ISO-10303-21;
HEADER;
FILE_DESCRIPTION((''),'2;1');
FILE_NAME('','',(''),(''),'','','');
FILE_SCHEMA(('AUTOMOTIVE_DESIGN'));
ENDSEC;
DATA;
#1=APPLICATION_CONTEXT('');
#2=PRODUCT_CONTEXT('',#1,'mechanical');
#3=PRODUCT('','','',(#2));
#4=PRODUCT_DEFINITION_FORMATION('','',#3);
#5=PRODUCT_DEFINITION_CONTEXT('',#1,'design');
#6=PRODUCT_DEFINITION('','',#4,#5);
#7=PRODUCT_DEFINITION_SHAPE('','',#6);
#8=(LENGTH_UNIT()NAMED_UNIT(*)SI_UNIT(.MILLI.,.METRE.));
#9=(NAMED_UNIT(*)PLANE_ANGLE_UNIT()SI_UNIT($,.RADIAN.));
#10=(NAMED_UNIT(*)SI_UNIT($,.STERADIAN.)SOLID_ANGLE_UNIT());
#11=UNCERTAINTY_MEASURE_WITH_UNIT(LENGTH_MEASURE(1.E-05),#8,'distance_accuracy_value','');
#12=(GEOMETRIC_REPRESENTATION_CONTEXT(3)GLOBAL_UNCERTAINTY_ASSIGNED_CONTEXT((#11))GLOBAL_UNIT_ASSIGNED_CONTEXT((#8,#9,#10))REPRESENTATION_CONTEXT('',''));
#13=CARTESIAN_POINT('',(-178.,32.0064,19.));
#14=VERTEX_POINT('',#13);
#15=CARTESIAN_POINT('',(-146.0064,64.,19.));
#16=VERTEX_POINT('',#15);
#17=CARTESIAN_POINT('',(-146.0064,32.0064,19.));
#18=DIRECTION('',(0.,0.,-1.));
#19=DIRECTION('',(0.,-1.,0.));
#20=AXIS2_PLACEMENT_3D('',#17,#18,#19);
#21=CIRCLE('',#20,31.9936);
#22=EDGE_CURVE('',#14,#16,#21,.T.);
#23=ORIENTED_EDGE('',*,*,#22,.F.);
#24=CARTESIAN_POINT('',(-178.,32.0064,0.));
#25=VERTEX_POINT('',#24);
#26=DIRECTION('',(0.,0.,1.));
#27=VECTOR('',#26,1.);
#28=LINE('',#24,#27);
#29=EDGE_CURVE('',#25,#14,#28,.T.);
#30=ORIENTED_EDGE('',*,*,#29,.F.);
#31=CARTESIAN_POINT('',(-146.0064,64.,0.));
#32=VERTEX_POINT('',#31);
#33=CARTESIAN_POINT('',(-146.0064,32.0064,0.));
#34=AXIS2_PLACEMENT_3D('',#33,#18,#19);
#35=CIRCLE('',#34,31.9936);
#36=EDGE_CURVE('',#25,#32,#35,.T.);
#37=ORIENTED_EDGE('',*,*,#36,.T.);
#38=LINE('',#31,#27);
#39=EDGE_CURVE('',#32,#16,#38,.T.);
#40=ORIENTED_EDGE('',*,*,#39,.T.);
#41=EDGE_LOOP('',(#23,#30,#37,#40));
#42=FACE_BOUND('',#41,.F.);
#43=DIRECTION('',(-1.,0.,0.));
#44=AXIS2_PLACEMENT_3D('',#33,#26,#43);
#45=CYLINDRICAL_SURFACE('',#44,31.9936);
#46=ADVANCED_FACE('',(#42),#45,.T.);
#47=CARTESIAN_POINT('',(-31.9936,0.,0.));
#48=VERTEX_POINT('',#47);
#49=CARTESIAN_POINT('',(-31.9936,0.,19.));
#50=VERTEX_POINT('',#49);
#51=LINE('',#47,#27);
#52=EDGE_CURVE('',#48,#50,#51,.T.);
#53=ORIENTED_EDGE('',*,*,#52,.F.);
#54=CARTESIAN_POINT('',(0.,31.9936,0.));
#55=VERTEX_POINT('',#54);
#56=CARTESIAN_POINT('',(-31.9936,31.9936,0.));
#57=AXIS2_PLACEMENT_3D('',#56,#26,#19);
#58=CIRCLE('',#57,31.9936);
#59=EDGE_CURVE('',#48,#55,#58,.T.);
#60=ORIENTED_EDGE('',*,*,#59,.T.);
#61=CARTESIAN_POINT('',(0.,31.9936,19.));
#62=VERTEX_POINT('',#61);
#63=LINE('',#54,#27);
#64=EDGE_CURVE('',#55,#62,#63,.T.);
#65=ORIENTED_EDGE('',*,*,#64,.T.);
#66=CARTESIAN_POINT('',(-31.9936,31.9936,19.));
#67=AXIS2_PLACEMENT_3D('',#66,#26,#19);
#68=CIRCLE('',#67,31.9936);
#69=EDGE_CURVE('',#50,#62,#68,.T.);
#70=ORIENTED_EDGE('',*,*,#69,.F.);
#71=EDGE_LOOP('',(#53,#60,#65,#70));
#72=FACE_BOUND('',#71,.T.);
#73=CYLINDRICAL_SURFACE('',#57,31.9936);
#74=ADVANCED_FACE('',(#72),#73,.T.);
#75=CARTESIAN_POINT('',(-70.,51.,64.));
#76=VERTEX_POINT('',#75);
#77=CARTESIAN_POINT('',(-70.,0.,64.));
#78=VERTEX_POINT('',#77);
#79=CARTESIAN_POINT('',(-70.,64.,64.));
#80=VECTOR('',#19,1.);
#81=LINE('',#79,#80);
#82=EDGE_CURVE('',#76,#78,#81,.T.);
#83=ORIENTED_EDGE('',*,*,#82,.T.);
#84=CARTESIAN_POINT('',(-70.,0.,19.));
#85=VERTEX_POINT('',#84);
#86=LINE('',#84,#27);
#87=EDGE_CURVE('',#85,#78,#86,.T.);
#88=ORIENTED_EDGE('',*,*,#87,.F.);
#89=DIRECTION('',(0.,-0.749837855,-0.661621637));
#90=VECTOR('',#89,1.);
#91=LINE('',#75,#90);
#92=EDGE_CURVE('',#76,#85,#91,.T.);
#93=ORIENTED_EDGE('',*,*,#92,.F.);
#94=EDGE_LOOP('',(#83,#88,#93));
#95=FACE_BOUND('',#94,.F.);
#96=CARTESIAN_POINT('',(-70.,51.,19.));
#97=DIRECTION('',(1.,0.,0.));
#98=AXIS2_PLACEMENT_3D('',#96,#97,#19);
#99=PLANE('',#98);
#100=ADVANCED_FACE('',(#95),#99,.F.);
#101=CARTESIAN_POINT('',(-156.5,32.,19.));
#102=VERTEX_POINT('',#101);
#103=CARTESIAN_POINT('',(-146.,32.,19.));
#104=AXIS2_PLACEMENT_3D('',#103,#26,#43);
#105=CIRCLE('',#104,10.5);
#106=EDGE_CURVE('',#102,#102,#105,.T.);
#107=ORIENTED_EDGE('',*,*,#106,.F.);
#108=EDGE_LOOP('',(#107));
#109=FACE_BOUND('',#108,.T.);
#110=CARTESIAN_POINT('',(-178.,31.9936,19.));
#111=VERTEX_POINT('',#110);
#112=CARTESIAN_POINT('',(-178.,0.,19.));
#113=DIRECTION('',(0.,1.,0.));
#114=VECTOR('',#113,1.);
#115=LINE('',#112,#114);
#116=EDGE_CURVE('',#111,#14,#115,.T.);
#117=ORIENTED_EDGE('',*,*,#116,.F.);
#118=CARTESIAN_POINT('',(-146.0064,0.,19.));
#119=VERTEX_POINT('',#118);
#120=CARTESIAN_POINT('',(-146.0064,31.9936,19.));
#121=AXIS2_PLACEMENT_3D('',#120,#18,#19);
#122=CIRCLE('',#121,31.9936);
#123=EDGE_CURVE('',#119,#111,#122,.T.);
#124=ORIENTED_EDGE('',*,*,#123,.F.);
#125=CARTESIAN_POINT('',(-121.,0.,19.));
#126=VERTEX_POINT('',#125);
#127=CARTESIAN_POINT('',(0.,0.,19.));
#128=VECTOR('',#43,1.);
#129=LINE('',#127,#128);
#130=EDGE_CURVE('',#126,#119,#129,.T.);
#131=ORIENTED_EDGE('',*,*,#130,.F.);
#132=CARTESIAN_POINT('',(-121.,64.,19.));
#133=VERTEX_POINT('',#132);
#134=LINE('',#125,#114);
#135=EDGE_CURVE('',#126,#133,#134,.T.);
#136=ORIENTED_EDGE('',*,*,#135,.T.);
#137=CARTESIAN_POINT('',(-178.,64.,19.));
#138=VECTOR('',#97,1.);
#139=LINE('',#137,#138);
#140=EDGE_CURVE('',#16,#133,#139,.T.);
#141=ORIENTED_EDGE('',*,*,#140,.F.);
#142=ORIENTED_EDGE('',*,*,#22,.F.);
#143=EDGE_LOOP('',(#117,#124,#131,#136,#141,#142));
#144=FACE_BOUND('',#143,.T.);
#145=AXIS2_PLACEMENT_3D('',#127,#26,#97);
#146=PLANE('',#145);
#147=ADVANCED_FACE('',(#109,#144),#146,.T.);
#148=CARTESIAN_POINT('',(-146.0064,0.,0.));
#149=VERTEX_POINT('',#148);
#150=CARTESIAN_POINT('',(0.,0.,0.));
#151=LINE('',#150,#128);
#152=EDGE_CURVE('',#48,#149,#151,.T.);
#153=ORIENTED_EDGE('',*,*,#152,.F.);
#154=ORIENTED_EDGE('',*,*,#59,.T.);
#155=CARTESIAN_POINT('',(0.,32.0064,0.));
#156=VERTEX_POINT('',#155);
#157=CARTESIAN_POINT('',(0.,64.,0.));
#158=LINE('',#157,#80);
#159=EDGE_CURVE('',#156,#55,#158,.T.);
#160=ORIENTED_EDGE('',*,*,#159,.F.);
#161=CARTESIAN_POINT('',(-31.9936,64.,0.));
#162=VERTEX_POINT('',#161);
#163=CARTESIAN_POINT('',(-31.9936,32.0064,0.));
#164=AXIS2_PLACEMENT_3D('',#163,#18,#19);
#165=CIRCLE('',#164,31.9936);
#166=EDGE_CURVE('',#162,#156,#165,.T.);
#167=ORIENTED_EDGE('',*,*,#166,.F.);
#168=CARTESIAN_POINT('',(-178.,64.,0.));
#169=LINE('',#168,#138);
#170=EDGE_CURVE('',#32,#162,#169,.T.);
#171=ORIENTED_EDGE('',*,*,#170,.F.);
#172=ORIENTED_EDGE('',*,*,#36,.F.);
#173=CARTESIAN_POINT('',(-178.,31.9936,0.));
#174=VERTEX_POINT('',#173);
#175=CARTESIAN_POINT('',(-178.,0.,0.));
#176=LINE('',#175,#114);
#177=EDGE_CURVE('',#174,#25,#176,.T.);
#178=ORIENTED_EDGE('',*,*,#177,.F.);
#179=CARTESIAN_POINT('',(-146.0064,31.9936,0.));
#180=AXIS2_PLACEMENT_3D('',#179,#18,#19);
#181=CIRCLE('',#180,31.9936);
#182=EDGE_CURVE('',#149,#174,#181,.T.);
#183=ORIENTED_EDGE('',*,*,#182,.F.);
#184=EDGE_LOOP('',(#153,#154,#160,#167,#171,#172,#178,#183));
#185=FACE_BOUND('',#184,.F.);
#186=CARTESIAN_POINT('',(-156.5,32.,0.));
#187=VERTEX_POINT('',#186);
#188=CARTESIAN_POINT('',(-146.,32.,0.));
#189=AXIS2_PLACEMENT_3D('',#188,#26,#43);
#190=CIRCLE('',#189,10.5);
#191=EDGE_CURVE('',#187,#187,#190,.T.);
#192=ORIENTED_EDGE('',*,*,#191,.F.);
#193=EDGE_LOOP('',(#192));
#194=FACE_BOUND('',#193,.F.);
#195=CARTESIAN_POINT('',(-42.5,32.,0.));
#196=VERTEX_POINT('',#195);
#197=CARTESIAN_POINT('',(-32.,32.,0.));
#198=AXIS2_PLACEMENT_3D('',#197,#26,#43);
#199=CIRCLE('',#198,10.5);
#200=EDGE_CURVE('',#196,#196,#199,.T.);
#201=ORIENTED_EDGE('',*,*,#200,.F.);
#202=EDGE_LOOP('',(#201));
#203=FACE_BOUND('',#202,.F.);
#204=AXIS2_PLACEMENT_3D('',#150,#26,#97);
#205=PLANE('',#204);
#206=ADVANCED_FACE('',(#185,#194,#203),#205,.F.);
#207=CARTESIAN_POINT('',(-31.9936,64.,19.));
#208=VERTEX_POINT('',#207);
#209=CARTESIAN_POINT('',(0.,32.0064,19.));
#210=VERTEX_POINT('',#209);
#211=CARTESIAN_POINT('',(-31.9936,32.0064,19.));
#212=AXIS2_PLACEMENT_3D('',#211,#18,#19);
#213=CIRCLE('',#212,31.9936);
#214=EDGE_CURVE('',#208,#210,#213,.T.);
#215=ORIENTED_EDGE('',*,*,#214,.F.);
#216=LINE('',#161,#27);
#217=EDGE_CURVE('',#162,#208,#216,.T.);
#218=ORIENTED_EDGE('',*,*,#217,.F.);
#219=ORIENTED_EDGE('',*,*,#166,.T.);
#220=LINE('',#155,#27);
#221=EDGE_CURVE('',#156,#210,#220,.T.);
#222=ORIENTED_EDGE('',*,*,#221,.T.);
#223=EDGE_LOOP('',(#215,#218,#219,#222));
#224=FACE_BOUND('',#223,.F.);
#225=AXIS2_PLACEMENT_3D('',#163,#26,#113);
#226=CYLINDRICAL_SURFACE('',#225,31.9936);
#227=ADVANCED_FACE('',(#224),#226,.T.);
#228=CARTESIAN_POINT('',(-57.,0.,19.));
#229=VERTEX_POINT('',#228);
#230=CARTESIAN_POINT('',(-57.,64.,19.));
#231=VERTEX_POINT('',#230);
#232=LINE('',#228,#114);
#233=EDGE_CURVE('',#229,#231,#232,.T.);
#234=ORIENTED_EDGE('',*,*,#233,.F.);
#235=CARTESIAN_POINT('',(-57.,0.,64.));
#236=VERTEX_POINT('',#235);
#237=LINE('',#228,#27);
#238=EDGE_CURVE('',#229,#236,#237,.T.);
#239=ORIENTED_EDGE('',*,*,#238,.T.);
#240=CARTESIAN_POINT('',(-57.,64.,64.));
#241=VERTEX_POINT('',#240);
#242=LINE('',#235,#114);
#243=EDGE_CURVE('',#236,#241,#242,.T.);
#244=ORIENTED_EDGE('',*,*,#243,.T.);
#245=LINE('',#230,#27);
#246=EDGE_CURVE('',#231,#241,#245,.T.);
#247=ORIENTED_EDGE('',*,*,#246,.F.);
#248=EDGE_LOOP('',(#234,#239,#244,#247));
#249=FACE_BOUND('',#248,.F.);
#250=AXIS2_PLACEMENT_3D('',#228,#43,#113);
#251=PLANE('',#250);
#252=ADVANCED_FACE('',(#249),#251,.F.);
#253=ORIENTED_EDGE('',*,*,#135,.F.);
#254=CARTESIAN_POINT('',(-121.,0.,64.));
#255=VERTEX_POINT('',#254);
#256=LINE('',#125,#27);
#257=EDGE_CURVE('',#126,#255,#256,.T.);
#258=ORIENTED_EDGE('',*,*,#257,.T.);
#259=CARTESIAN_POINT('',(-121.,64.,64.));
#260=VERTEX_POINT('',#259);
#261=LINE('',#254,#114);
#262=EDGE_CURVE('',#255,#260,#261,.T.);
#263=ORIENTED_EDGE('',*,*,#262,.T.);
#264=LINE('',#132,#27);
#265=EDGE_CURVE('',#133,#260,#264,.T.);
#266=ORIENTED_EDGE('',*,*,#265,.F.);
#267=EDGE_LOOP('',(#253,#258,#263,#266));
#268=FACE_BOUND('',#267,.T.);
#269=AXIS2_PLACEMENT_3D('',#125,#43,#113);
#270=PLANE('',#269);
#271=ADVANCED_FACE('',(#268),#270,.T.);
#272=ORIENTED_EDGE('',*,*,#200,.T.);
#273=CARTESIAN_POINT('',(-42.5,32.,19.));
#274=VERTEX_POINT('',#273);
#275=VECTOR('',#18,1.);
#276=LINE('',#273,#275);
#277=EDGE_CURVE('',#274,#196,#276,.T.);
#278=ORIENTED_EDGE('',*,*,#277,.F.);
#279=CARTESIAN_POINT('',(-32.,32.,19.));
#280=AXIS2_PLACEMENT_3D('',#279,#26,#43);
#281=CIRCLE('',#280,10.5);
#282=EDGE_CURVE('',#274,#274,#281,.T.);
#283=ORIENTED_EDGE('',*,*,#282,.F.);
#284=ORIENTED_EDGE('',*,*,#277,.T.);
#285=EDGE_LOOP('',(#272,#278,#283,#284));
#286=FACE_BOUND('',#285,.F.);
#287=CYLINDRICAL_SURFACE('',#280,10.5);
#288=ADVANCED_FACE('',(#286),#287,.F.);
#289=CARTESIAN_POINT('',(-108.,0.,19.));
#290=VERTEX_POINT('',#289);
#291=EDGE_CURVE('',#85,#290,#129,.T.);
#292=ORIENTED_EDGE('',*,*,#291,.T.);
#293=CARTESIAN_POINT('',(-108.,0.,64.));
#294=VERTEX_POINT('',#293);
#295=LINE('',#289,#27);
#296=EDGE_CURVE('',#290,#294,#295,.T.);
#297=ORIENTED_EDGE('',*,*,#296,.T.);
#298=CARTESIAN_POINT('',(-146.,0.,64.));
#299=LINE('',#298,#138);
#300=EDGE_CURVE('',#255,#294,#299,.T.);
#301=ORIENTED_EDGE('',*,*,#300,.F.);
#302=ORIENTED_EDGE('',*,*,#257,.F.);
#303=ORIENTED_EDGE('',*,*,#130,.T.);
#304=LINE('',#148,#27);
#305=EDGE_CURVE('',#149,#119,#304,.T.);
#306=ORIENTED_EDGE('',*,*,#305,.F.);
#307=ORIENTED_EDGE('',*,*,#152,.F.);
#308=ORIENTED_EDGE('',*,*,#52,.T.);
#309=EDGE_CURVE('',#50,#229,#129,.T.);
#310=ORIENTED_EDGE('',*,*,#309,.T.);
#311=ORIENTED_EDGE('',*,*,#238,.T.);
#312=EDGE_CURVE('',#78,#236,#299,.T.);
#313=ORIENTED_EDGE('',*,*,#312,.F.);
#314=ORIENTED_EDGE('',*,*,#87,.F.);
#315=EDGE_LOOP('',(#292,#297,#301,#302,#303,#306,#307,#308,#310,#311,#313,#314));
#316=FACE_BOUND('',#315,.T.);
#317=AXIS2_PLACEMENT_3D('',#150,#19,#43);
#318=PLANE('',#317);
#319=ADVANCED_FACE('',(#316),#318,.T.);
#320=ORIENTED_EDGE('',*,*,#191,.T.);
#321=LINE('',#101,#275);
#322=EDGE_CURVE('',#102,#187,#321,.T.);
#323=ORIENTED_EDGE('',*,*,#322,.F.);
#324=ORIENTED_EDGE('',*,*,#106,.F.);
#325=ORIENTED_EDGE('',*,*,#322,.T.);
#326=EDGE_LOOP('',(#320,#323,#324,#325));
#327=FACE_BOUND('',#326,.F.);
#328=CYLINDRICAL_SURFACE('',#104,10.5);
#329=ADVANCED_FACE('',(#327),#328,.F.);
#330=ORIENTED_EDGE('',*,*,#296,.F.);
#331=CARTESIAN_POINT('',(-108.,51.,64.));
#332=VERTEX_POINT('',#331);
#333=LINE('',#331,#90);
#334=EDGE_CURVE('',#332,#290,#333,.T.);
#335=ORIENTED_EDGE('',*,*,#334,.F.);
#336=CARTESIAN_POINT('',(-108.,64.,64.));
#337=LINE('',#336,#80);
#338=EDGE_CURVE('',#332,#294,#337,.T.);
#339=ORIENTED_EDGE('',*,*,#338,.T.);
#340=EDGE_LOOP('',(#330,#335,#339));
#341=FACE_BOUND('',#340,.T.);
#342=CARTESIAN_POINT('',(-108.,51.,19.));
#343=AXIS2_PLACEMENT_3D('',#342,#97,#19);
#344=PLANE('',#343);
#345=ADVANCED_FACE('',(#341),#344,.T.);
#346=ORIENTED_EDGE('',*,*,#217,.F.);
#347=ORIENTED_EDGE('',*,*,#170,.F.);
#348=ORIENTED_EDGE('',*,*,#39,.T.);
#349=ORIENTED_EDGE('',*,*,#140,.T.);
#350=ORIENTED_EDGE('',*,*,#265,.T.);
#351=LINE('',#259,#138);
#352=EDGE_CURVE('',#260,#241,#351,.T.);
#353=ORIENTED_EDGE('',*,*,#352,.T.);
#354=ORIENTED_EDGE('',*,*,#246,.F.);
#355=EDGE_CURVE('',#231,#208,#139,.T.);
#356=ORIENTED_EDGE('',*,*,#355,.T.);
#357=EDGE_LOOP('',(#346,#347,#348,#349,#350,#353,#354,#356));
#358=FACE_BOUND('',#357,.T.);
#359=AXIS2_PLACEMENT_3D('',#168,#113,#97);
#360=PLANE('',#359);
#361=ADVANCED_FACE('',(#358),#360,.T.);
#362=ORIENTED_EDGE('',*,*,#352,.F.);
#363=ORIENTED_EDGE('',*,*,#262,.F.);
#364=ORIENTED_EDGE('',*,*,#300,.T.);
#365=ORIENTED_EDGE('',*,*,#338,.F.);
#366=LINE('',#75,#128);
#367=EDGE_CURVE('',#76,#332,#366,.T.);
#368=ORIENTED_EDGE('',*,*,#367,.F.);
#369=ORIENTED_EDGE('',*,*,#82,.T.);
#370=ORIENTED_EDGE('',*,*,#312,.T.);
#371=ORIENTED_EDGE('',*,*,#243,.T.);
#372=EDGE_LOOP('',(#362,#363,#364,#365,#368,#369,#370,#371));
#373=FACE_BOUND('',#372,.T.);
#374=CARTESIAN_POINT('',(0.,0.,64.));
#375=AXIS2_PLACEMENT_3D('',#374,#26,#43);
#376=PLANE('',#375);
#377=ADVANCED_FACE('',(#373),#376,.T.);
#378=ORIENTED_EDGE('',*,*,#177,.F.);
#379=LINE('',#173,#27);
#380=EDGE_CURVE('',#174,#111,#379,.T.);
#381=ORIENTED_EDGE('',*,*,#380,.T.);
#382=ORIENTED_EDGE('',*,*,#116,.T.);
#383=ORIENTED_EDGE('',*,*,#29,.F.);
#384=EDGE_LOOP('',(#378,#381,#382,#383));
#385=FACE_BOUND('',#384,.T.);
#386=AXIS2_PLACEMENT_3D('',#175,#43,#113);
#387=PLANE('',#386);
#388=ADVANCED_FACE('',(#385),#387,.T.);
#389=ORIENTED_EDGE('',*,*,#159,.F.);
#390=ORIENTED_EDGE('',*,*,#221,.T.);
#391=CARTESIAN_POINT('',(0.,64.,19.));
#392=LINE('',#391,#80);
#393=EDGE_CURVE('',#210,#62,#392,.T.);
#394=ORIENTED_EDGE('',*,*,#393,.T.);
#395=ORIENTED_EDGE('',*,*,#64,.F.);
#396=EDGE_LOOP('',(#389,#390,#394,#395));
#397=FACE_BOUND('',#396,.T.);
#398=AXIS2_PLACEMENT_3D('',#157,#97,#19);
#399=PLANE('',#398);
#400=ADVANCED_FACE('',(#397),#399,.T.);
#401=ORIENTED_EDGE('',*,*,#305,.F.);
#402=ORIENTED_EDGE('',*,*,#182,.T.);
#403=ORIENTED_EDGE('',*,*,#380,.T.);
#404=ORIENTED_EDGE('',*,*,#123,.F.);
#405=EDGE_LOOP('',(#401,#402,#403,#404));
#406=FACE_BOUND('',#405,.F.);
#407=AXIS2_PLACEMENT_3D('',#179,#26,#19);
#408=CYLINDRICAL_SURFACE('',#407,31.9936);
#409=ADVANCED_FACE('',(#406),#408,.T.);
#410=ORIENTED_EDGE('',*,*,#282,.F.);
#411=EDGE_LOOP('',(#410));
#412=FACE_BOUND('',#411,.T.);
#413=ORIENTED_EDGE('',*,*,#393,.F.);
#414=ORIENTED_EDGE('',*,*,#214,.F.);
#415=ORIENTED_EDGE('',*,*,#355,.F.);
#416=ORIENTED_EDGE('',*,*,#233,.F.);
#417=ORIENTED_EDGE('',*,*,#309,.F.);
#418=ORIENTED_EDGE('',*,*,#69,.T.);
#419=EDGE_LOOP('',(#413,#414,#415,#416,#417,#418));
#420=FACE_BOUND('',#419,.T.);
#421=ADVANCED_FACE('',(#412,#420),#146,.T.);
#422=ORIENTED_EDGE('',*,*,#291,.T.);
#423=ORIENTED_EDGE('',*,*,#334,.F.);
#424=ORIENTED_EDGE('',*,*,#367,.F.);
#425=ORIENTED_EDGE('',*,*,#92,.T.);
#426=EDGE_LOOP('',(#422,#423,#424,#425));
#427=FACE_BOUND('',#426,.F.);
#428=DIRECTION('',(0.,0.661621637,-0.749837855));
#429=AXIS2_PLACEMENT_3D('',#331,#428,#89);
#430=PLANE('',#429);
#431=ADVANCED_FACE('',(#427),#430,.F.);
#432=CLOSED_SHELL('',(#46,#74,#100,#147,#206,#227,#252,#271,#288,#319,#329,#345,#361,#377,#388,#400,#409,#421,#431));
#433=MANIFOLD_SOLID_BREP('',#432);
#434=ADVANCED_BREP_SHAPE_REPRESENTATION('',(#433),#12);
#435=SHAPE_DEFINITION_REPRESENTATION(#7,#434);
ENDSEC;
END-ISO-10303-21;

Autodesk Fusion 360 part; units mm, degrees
sketch "Sketch1" plane through (0, 0, 0) normal (0, 0, 1) x (1, 0, 0)
  line L0 (0, 0) -> (-178, 0)
  line L1 (-178, 0) -> (-178, 64)
  line L2 (-178, 64) -> (0, 64)
  line L3 (0, 64) -> (0, 0)
  dimension "d1" = 64
  dimension "d2" = 178
extrude "Extrude1" add sketch "Sketch1" along normal blind 19
fillet "Fillet1" radius 32 4 edges at (0, 0, 9.5) (0, 64, 9.5) (-178, 0, 9.5) (-178, 64, 9.5)
sketch "Sketch2" plane through (0, 0, 19) normal (0, 0, 1) x (-1, 0, 0)
  arc A0 (146, -64) -> (146, 0) centre (146, -32) ccw
  line L0 (146, 0) -> (32, 0)
  arc A1 (32, 0) -> (32, -64) centre (32, -32) ccw
  line L1 (32, -64) -> (146, -64)
  line L2 (89, -64) -> (89, 0) construction
  circle A2 centre (32, -32) radius 10.5
  circle A3 centre (146, -32) radius 10.5
  dimension "d6" = 21
extrude "Extrude2" cut sketch "Sketch2" against normal blind 90 contours A2 | A3
sketch "Sketch3" plane through (0, 0, 19) normal (0, 0, 1) x (-1, 0, 0)
  circle A0 centre (32, -32) radius 10.5
  circle A1 centre (146, -32) radius 10.5
  arc A2 (146, -64) -> (146, 0) centre (146, -32) ccw
  line L0 (146, 0) -> (32, 0)
  arc A3 (32, 0) -> (32, -64) centre (32, -32) ccw
  line L1 (32, -64) -> (146, -64)
  line L2 (146, -64) -> (32, -64) construction
  line L3 (89, -64) -> (89, 0) construction
  line L4 (89, -64) -> (57, -64)
  line L5 (121, -64) -> (108, -64)
  line L6 (108, -64) -> (108, 0)
  line L7 (108, 0) -> (121, 0)
  line L8 (121, 0) -> (121, -64)
  line L9 (121, -64) -> (108, -64)
  line L10 (108, -64) -> (108, 0)
  line L11 (108, 0) -> (121, 0)
  line L12 (121, 0) -> (121, -64)
  line L13 (70, -64) -> (70, 0)
  line L14 (57, -64) -> (70, -64)
  line L15 (57, 0) -> (57, -64)
  line L16 (70, 0) -> (57, 0)
  line L17 (108, -64) -> (70, -64)
  line L18 (70, -64) -> (70, -51)
  line L19 (70, -51) -> (108, -51)
  line L20 (108, -51) -> (108, -64)
  dimension "d9" = 32
  dimension "d10" = 32
  dimension "d11" = 13
  dimension "d12" = 64
  dimension "d13" = 13
extrude "Extrude3" add sketch "Sketch3" along normal blind 45 contours L0 L1 L5 L6 L7 L8 L9 L10 L11 L12 L20 | L1 L4 L6 L10 L13 L17 L18 L19 L20 | L0 L1 L4 L13 L14 L15 L16 L18
sketch "Sketch4" plane through (-108, 0, 0) normal (1, 0, 0) x (0, 1, 0)
  line L0 (0, 19) -> (51, 19)
  line L1 (51, 19) -> (51, 64)
  line L2 (51, 64) -> (0, 64)
  line L3 (0, 64) -> (0, 19)
  line L4 (51, 64) -> (0, 19)
  line L5 (51, 19) -> (51, 64)
  line L6 (51, 19) -> (0, 19)
extrude "Extrude4" add sketch "Sketch4" along normal blind 38 contours L0 L1 L4 L5 L6
equation "d2 = 114 mm + 32 mm + 32 mm"
equation "d11 = ( ( 64 - 38 ) / 2 ) * 1 mm"
equation "d13 = 64 mm - 51 mm"
equation "d14 = 64 mm - 19 mm"
